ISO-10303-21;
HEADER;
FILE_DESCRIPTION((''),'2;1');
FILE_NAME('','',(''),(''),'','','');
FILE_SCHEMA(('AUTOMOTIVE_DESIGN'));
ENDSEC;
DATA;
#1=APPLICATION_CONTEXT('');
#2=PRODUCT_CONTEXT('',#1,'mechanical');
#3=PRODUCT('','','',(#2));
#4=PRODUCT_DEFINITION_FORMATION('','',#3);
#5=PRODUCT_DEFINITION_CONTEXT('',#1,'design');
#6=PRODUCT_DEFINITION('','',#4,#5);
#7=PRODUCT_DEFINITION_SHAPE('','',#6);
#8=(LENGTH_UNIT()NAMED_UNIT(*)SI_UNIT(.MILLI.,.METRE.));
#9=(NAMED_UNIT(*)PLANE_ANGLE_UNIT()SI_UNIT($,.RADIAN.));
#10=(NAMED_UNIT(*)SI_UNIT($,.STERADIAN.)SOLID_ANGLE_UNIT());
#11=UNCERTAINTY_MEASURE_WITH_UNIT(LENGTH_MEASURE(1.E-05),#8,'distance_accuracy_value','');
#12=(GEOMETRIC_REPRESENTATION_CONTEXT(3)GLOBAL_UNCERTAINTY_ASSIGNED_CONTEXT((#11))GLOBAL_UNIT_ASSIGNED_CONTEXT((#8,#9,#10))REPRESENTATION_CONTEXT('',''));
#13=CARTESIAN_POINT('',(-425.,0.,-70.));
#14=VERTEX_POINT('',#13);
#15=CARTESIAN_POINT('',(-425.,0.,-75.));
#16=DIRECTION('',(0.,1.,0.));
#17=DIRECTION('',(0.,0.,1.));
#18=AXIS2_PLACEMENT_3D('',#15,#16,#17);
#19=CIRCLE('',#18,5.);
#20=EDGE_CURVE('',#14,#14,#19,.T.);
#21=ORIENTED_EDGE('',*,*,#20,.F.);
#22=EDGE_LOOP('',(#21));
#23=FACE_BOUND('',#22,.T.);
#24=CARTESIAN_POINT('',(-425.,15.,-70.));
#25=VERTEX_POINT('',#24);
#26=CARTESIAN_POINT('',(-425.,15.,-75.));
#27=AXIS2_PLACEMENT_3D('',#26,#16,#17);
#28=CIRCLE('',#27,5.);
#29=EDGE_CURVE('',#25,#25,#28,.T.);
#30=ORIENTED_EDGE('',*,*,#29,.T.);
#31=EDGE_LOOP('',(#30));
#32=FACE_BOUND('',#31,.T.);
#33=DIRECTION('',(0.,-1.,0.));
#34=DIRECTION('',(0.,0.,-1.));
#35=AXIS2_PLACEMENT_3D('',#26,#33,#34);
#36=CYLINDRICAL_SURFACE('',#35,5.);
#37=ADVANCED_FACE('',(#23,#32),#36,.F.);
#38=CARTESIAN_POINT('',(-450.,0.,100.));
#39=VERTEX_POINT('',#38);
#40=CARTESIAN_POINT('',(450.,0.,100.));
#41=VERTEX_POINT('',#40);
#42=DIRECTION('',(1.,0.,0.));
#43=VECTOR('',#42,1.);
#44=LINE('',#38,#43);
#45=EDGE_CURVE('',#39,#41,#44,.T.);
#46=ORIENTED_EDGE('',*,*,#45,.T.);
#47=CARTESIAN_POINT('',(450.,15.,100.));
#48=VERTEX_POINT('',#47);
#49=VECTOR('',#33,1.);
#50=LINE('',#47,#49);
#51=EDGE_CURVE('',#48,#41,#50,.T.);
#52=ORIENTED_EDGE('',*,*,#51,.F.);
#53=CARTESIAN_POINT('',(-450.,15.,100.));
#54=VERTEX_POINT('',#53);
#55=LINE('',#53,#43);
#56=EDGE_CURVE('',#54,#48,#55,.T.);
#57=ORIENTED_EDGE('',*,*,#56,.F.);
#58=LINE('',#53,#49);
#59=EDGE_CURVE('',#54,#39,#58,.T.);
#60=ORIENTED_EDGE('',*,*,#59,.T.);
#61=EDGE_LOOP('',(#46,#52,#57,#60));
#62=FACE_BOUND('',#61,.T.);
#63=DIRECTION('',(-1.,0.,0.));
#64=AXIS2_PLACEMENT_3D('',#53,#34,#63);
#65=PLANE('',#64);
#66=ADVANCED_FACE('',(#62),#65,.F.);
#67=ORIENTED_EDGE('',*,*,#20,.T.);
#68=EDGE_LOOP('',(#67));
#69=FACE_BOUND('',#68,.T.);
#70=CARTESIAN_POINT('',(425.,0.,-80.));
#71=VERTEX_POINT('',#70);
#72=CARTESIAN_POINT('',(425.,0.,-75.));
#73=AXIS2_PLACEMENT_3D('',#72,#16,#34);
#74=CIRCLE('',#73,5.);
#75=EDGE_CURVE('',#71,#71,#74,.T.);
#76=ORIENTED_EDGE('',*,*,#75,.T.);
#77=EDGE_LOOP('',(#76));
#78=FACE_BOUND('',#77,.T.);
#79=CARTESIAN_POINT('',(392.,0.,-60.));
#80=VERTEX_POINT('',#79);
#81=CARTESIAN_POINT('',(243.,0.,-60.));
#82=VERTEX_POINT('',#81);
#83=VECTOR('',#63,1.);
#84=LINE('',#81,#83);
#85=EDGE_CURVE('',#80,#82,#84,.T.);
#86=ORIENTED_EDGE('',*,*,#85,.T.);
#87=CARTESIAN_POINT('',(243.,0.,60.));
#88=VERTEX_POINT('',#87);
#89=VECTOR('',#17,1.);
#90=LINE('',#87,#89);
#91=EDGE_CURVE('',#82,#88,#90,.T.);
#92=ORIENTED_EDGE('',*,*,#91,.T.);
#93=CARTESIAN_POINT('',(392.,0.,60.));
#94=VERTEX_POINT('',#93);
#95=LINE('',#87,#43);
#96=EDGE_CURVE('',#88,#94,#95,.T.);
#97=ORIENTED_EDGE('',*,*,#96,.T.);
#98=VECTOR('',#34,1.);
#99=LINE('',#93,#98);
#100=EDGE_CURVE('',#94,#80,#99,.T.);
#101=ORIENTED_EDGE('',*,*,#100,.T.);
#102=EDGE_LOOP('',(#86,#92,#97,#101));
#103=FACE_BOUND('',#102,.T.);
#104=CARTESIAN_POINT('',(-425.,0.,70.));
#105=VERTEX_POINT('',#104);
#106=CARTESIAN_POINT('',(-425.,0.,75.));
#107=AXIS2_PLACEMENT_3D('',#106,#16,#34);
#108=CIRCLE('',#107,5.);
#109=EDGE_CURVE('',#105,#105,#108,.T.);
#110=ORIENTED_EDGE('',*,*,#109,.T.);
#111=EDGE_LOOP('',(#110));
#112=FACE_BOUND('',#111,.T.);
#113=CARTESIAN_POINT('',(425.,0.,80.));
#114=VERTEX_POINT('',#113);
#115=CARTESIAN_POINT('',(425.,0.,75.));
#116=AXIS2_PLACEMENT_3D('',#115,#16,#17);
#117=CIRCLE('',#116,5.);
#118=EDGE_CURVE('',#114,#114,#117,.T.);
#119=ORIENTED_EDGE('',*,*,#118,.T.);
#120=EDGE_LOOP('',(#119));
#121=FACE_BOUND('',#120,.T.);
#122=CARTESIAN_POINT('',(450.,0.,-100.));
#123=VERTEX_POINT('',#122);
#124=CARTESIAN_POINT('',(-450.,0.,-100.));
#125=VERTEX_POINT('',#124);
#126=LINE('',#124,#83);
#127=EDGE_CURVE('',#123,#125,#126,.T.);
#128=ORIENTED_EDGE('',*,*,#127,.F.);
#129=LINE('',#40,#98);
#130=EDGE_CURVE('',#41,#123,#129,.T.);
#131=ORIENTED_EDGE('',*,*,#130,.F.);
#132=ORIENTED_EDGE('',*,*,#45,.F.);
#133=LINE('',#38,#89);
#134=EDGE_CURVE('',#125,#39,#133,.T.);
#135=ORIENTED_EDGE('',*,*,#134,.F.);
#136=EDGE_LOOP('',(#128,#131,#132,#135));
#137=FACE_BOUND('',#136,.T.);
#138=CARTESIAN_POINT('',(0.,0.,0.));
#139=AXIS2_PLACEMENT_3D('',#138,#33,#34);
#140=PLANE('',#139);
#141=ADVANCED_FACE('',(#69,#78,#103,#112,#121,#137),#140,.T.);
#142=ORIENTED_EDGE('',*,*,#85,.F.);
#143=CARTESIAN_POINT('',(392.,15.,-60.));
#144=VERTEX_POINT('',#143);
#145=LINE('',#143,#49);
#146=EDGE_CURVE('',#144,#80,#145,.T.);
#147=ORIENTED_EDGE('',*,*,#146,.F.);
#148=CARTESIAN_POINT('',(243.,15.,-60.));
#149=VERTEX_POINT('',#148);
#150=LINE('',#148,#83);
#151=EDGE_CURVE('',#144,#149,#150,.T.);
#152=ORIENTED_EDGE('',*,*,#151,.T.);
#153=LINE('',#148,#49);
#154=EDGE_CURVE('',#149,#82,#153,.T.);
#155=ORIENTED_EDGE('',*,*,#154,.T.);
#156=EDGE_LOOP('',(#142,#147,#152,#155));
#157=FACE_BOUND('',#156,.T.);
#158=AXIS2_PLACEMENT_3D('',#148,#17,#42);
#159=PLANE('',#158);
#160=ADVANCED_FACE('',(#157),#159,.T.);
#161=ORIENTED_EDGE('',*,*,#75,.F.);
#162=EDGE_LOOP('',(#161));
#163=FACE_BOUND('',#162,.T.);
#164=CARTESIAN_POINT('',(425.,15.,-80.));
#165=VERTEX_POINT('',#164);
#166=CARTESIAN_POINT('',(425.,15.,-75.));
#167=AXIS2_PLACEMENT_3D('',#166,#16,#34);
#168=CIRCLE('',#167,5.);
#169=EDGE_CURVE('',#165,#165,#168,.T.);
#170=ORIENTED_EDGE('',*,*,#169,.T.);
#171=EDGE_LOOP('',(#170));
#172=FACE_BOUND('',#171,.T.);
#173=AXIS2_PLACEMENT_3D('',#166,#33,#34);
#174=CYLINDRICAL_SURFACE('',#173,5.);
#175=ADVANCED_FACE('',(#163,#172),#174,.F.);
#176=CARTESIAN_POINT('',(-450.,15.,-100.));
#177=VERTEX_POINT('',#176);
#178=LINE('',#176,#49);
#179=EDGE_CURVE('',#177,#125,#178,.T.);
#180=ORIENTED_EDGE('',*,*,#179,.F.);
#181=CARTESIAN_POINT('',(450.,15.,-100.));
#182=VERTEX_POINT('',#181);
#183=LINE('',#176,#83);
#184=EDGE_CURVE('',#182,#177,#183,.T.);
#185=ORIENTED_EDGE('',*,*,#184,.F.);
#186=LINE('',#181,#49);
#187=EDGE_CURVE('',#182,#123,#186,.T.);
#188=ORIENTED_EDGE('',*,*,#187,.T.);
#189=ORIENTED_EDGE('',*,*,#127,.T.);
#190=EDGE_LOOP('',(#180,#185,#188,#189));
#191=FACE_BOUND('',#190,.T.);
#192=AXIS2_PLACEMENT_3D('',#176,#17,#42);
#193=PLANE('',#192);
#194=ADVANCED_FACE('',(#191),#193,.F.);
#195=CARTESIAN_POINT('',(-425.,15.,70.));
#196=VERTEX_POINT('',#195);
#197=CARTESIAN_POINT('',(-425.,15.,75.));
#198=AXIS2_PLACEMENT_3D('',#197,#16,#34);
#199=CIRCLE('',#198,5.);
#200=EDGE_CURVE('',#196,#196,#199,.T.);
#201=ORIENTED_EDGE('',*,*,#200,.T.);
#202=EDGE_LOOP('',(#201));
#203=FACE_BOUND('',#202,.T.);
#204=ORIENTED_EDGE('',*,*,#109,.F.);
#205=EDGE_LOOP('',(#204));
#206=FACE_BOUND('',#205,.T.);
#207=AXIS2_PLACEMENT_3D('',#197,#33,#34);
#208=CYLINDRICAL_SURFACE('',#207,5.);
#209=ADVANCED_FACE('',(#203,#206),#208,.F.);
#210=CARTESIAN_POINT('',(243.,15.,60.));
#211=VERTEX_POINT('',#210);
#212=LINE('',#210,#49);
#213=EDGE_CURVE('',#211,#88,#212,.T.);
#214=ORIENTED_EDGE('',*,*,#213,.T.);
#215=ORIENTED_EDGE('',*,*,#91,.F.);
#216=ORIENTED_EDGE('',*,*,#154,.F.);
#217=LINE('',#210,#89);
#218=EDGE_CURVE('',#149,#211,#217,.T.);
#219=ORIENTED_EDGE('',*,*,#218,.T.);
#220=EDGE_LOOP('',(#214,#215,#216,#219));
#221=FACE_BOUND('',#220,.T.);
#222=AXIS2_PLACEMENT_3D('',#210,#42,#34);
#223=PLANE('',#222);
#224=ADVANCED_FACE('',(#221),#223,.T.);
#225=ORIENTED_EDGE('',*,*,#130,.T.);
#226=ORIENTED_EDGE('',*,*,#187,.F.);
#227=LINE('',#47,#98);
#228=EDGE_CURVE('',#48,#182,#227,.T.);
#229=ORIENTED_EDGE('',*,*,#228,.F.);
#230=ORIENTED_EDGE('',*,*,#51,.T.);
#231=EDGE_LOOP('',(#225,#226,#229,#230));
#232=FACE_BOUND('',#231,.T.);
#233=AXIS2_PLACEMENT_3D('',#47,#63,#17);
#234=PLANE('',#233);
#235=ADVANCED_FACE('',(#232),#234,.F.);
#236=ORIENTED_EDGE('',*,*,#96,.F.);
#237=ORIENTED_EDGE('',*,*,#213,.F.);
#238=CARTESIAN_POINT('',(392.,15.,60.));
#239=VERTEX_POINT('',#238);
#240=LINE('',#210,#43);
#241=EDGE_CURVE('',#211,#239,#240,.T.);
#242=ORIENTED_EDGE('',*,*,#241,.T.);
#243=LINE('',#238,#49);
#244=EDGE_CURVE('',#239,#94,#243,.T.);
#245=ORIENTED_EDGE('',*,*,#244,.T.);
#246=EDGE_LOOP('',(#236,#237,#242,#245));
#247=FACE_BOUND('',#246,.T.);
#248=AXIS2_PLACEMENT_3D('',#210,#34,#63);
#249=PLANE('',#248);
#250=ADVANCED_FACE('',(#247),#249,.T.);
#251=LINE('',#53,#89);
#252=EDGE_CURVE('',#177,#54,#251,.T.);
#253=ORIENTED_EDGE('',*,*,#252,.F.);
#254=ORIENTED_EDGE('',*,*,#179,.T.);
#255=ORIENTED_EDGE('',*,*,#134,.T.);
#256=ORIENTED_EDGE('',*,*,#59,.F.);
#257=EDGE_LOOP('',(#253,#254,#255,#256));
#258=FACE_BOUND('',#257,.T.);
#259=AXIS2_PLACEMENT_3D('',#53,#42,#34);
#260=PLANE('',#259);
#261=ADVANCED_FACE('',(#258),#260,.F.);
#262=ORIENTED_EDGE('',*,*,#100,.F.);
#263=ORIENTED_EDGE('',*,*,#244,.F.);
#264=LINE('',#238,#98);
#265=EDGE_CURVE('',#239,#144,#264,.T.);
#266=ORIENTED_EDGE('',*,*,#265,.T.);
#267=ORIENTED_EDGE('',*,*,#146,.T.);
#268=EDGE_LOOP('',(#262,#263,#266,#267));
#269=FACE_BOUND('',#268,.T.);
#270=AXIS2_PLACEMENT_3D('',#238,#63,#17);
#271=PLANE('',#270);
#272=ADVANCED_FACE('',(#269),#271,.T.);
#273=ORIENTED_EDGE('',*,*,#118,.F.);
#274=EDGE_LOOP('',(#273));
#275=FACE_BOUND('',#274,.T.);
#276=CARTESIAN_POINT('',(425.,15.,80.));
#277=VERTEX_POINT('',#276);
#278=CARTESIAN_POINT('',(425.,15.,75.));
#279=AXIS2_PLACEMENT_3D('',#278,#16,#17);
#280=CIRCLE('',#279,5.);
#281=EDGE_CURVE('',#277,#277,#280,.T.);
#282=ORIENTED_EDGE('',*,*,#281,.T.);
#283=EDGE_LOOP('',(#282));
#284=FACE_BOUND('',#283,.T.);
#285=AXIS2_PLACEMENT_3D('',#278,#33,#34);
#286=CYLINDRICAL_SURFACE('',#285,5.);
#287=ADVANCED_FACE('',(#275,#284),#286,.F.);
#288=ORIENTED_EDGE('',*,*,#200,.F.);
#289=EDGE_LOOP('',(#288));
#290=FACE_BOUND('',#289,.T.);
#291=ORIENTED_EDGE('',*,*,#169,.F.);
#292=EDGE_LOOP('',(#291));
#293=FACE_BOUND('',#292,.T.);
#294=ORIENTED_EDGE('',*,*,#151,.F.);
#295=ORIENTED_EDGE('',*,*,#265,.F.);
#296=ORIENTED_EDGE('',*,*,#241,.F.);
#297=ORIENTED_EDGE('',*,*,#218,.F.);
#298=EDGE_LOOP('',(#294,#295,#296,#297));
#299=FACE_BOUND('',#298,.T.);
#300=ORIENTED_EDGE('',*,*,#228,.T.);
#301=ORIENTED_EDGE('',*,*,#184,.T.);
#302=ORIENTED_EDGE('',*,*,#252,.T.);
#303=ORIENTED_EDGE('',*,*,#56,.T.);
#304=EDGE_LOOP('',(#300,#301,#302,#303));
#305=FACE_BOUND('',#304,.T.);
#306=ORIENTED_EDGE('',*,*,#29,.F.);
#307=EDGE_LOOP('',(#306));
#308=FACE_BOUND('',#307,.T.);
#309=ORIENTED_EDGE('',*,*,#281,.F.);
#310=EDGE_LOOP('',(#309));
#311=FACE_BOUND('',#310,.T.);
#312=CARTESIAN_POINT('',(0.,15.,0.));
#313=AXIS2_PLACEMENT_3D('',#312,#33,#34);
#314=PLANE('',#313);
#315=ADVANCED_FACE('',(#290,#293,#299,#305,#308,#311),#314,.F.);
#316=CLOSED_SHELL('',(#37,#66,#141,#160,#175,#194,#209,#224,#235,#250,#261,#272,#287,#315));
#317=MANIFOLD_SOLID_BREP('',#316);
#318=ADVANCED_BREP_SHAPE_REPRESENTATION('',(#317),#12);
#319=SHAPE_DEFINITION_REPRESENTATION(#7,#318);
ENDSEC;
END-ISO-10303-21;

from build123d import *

# Parameters (mm, degrees)
SKETCH1_W           = 900
SKETCH1_H           = 200
SKETCH1_W_2         = 149
SKETCH1_H_2         = 120
BOSS_EXTRUDE1_DEPTH = 15
SKETCH2_R           = 5
CUT_EXTRUDE1_DEPTH  = 462.221205063


with BuildPart() as part:
    # Sketch1 → Boss-Extrude1 (new body)
    with BuildSketch(Plane(origin=(0, 0, 0), x_dir=(1, 0, 0), z_dir=(0, 1, 0))):
        Rectangle(SKETCH1_W, SKETCH1_H)
        with Locations((317.5, 0)):
            Rectangle(SKETCH1_W_2, SKETCH1_H_2, mode=Mode.SUBTRACT)
    extrude(amount=BOSS_EXTRUDE1_DEPTH)

    # Sketch2 → Cut-Extrude1 (cut, through all)
    with BuildSketch(Plane(origin=(0, 0, 0), x_dir=(1, 0, 0), z_dir=(0, 1, 0))):
        with Locations(Location((-425, 75, 0), (0, 0, 270))):
            Circle(SKETCH2_R)
        with Locations(Location((-425, -75, 0), (0, 0, 90))):
            Circle(SKETCH2_R)
        with Locations(Location((425, 75, 0), (0, 0, 90))):
            Circle(SKETCH2_R)
        with Locations(Location((425, -75, 0), (0, 0, 270))):
            Circle(SKETCH2_R)
    extrude(amount=CUT_EXTRUDE1_DEPTH, mode=Mode.SUBTRACT)


solid = part.part
